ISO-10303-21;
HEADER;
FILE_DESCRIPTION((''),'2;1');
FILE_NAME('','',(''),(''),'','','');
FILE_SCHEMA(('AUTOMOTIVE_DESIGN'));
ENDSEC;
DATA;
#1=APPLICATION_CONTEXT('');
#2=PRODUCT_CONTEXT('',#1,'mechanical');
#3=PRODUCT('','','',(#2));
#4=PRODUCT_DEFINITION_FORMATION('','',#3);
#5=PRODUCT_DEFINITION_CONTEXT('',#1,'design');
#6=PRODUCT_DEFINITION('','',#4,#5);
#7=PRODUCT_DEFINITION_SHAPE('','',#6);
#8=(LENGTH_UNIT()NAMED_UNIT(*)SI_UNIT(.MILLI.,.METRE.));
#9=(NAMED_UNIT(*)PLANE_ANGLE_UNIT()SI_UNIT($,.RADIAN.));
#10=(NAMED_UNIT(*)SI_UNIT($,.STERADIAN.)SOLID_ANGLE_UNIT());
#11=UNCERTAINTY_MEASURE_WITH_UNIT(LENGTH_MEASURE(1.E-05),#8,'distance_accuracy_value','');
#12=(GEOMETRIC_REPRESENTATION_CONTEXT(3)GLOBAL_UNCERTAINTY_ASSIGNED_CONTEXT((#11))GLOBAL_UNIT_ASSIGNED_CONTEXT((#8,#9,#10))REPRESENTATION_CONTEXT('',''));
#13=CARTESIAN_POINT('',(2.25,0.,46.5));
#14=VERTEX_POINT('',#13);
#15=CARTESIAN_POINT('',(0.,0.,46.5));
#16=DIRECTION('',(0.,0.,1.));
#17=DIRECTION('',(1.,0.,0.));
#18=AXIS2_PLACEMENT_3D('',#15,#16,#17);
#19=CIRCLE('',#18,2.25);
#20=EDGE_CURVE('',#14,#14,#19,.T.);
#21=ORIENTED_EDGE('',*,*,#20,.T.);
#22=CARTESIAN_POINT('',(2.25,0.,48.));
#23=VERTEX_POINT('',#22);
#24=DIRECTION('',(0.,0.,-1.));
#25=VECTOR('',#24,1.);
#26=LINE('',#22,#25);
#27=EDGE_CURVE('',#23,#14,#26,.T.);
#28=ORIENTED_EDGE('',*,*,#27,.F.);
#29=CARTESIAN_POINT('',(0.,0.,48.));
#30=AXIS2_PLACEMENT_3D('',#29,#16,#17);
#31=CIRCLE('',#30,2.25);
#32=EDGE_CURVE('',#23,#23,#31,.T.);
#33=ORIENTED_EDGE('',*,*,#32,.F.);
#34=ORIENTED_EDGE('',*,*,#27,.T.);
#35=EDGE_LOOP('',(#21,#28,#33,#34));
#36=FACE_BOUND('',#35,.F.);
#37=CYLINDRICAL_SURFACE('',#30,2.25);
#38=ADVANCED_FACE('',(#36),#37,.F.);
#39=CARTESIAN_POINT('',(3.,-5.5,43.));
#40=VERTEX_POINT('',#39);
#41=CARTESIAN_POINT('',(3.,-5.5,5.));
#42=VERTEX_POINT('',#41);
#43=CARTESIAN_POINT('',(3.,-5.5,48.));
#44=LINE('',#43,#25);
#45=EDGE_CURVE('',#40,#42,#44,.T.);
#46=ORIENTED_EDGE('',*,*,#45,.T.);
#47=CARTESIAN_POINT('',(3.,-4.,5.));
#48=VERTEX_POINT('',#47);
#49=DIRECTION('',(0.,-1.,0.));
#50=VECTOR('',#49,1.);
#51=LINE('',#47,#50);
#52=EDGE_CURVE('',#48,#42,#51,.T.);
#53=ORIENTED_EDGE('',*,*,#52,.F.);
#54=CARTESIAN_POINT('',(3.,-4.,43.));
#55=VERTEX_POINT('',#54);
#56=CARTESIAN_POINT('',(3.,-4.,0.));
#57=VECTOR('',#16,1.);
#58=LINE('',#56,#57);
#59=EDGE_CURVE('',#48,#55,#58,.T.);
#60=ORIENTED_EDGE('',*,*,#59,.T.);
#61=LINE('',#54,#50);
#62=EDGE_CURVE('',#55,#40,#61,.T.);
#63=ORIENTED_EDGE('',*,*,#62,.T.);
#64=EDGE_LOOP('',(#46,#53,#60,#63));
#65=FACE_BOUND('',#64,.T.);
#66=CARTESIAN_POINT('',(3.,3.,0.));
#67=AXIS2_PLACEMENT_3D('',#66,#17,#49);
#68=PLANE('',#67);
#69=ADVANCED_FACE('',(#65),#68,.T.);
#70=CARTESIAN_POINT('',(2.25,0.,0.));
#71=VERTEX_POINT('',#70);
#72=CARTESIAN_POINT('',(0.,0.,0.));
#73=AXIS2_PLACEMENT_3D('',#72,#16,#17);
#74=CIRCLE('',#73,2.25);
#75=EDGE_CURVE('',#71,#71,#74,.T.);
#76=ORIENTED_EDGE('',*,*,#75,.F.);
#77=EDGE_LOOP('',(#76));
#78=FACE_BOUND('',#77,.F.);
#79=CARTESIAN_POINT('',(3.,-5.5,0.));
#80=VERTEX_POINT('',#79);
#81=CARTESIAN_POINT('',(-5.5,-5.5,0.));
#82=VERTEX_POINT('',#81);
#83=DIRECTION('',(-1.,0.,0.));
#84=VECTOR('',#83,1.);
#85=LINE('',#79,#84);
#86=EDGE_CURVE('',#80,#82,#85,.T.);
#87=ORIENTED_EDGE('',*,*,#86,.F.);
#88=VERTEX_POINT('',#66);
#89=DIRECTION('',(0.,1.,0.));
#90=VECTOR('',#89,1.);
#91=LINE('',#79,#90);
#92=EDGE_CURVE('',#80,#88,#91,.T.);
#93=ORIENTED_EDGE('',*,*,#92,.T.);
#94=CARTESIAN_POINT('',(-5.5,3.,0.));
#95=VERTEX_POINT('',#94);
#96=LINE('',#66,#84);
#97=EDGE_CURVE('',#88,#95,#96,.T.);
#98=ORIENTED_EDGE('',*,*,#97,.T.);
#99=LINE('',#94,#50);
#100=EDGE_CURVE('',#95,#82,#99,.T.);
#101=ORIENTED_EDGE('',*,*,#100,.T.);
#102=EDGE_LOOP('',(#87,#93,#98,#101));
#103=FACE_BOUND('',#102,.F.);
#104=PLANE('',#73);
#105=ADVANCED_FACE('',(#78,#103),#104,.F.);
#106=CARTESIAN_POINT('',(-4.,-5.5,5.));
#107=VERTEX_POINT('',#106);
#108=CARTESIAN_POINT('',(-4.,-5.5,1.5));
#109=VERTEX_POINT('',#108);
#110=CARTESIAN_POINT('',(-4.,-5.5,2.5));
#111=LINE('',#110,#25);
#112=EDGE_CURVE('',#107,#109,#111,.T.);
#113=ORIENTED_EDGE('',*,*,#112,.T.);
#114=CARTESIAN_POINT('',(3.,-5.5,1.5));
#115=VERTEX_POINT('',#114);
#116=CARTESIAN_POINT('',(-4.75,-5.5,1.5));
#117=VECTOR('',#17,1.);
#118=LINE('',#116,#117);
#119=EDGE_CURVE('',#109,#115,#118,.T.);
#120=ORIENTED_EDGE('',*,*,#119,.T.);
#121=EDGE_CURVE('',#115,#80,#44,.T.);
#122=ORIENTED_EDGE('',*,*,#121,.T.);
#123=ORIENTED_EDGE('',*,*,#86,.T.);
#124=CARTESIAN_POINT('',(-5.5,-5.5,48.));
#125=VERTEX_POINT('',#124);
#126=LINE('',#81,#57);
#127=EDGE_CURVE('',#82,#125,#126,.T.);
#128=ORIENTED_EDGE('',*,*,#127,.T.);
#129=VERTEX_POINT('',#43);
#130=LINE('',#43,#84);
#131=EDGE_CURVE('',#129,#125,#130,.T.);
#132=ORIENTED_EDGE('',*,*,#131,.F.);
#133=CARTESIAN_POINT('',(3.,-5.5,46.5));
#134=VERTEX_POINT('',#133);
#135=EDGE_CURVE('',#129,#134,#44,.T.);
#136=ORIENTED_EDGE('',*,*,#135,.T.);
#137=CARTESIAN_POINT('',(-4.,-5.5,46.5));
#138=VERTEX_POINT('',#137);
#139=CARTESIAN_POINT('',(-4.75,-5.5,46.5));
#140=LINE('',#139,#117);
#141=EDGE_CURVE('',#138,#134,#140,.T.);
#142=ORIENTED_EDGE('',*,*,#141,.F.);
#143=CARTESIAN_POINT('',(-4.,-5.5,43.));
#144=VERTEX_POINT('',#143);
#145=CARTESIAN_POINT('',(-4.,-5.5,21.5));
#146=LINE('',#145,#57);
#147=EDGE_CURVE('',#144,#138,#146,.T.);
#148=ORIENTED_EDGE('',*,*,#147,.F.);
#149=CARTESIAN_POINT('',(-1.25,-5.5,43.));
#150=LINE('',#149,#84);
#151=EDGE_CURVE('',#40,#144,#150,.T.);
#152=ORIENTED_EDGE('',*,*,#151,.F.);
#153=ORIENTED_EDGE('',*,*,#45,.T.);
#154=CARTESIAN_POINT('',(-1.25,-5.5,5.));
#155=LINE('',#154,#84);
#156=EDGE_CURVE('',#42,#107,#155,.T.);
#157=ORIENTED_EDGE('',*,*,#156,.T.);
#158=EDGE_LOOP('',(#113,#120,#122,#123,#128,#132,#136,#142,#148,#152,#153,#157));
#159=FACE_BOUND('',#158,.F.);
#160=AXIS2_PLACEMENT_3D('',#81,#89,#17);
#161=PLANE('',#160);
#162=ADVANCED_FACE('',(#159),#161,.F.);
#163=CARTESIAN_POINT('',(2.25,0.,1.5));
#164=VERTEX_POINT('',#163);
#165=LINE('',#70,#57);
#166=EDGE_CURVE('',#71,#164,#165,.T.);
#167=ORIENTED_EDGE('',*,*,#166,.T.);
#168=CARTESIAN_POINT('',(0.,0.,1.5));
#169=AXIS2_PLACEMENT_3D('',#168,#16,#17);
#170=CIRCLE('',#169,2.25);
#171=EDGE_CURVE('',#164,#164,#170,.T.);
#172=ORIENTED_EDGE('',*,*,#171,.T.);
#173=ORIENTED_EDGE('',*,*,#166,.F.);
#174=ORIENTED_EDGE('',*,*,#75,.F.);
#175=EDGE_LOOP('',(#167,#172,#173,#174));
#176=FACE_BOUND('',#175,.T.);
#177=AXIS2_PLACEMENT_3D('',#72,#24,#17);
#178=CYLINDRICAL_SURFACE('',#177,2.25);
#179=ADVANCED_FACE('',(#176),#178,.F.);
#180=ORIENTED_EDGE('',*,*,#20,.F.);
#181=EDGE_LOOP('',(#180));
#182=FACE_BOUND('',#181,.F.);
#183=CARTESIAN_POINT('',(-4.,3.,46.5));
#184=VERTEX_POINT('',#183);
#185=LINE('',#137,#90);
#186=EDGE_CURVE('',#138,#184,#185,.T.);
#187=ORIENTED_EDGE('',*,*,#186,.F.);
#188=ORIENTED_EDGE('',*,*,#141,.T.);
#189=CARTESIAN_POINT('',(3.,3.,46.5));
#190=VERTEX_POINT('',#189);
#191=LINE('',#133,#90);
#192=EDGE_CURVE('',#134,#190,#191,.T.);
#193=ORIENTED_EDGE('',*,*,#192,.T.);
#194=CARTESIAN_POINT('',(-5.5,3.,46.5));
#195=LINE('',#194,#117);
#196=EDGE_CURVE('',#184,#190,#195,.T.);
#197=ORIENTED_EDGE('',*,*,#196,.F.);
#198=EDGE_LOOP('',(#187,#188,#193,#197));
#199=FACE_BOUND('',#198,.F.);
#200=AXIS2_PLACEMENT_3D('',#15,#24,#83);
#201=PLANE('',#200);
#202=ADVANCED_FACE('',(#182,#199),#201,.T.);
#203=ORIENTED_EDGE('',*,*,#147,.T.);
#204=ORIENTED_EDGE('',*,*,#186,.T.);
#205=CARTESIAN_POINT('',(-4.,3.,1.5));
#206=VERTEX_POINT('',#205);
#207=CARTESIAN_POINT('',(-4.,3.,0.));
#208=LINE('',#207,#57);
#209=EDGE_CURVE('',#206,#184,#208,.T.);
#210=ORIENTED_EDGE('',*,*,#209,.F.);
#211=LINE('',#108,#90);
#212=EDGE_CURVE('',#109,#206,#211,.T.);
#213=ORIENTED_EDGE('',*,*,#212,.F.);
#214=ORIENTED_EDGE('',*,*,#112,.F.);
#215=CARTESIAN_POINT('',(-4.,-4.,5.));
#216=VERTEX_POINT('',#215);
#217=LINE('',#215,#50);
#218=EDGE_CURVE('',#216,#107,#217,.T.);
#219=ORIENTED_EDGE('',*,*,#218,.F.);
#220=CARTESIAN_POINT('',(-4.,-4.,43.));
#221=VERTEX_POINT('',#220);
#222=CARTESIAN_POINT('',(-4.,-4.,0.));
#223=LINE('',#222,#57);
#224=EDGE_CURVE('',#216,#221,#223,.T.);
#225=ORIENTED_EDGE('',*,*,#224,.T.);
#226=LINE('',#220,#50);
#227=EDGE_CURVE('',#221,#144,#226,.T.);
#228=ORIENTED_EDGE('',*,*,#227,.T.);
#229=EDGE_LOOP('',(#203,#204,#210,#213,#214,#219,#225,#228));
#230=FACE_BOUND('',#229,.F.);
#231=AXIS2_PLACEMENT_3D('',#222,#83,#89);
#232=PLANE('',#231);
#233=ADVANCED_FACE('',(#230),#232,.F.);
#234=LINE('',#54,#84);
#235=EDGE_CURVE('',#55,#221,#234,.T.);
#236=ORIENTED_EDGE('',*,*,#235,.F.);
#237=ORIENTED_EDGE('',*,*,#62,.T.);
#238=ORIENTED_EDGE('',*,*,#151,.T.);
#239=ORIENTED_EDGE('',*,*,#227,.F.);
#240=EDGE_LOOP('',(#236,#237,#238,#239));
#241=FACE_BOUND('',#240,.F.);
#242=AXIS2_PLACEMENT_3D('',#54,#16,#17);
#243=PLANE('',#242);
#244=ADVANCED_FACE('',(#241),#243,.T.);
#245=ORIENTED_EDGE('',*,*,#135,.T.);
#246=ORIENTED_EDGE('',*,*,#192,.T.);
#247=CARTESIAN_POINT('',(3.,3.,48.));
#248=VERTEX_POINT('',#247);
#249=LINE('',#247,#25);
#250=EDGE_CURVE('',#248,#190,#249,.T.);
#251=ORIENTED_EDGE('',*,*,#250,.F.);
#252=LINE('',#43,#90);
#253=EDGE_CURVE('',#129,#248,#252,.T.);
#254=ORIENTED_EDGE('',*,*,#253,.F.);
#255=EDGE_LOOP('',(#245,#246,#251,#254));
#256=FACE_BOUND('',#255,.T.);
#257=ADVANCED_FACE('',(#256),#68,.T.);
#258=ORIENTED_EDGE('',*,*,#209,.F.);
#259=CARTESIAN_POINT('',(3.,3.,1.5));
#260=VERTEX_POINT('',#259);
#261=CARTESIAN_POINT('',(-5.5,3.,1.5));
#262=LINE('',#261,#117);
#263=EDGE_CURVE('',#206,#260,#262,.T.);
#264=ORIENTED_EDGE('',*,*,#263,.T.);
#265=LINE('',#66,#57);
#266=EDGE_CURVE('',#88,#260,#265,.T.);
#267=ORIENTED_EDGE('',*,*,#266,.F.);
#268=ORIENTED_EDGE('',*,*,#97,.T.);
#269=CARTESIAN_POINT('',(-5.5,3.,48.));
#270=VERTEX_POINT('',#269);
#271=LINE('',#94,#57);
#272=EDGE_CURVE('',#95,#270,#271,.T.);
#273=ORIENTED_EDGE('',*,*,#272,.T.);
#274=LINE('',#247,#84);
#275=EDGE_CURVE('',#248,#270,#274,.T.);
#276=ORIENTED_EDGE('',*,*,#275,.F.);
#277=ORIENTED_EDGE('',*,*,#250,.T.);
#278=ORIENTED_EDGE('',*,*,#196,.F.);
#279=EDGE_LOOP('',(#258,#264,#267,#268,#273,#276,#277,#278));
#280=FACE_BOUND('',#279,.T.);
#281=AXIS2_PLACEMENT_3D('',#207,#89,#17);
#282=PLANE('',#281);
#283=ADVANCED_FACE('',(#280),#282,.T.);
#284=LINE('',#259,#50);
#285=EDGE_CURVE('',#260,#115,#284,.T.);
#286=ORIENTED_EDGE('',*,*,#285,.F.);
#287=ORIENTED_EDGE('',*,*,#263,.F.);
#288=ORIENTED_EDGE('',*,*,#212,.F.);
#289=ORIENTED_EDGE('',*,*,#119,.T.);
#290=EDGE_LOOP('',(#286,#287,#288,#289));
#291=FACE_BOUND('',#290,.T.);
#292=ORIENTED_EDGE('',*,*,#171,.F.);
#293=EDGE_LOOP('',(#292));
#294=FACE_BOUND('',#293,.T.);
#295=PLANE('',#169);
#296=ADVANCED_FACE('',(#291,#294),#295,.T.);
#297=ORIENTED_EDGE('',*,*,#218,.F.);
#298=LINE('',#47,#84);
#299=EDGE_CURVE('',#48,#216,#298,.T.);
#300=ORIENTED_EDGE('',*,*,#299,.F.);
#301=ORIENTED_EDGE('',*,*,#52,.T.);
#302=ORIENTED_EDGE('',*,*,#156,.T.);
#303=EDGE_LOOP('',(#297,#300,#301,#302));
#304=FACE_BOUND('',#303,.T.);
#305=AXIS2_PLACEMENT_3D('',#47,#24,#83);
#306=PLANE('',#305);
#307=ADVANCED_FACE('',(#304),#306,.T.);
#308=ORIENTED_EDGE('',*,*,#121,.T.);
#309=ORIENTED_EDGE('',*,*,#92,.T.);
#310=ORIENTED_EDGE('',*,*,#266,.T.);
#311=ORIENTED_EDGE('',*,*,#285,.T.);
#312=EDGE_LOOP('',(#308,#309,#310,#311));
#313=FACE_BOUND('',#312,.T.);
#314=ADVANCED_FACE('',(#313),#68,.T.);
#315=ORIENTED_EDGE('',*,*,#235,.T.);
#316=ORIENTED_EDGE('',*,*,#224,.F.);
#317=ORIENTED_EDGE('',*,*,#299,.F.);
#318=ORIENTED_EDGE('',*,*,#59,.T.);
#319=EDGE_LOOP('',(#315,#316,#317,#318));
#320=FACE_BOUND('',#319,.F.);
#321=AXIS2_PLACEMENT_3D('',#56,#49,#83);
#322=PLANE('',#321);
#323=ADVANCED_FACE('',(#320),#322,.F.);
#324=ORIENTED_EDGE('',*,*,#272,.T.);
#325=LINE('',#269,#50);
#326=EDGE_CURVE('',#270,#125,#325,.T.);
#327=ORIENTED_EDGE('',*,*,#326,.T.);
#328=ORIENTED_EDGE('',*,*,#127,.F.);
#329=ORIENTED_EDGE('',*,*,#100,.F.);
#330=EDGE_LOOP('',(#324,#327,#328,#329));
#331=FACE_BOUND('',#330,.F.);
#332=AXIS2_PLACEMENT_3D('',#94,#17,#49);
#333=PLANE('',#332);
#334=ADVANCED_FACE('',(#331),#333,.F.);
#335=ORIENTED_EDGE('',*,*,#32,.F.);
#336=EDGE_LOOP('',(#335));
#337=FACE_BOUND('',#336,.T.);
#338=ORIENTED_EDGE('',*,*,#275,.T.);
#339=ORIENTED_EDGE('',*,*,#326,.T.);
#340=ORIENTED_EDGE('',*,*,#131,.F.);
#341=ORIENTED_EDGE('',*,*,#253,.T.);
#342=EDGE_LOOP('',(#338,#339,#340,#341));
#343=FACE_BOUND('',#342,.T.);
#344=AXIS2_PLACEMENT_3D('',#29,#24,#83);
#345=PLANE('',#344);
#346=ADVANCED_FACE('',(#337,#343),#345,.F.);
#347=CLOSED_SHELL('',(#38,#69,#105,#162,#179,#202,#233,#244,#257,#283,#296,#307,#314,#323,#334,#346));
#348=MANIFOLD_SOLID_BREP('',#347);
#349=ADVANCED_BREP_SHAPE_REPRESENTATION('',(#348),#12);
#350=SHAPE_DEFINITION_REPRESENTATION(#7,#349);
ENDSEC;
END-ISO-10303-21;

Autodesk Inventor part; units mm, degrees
ref_plane "YZ Plane" through (0, 0, 0) normal (1, 0, 0) x (0, 1, 0)
ref_plane "XZ Plane" through (0, 0, 0) normal (0, 1, 0) x (-1, 0, 0)
sketch "Sketch1" plane through (0, 0, 0) normal (0, 0, 1) x (1, 0, 0)
  circle A0 centre (0, 0) radius 2.25
  line L0 (-4, 3) -> (3, 3)
  line L1 (3, 3) -> (3, -4)
  line L2 (3, -4) -> (-4, -4)
  line L3 (-4, -4) -> (-4, 3)
  line L4 (-4, 3) -> (-5.5, 3)
  line L5 (-5.5, 3) -> (-5.5, -5.5)
  line L6 (-5.5, -5.5) -> (-4, -5.5)
  line L7 (-4, -5.5) -> (-4, 3)
  line L8 (3, -4) -> (-4, -4)
  line L9 (-4, -4) -> (-4, -5.5)
  line L10 (-4, -5.5) -> (3, -5.5)
  line L11 (3, -5.5) -> (3, -4)
  dimension "d0" = 4.5
  dimension "d1" = 4
  dimension "d2" = 4
  dimension "d3" = 3
  dimension "d5" = 3
  dimension "d6" = 1.5
  dimension "d7" = 1.5
extrude "Extrusion1" add sketch "Sketch1" along normal blind 1.5
extrude "Extrusion2" add sketch "Sketch1" along normal blind 46.5 contours L3 L7 L6 L5 L4 | L2 L11 L10 L7
ref_plane "Work Plane2" through (0, 0, 24) normal (0, 0, 1) x (1, 0, 0)
mirror "Mirror2" about plane through (0, 0, 24) normal (0, 0, 1) of "Extrusion1"
sketch "Sketch2" plane through (-4, -4, 1.5) normal (0, 1, 0) x (1, 0, 0)
  line L0 (7, 0) -> (7, -45) projected
  line L1 (0, 0) -> (7, 0)
  line L2 (7, 0) -> (7, -3.5)
  line L3 (7, -3.5) -> (0, -3.5)
  line L4 (0, -3.5) -> (0, 0)
  point P0 (4, 1.5)
  dimension "d13" = 3.5
extrude "Extrusion3" cut sketch "Sketch2" against normal blind 10
mirror "Mirror3" about plane through (0, 0, 24) normal (0, 0, 1) of "Extrusion3"
properties part number "Lifter"
